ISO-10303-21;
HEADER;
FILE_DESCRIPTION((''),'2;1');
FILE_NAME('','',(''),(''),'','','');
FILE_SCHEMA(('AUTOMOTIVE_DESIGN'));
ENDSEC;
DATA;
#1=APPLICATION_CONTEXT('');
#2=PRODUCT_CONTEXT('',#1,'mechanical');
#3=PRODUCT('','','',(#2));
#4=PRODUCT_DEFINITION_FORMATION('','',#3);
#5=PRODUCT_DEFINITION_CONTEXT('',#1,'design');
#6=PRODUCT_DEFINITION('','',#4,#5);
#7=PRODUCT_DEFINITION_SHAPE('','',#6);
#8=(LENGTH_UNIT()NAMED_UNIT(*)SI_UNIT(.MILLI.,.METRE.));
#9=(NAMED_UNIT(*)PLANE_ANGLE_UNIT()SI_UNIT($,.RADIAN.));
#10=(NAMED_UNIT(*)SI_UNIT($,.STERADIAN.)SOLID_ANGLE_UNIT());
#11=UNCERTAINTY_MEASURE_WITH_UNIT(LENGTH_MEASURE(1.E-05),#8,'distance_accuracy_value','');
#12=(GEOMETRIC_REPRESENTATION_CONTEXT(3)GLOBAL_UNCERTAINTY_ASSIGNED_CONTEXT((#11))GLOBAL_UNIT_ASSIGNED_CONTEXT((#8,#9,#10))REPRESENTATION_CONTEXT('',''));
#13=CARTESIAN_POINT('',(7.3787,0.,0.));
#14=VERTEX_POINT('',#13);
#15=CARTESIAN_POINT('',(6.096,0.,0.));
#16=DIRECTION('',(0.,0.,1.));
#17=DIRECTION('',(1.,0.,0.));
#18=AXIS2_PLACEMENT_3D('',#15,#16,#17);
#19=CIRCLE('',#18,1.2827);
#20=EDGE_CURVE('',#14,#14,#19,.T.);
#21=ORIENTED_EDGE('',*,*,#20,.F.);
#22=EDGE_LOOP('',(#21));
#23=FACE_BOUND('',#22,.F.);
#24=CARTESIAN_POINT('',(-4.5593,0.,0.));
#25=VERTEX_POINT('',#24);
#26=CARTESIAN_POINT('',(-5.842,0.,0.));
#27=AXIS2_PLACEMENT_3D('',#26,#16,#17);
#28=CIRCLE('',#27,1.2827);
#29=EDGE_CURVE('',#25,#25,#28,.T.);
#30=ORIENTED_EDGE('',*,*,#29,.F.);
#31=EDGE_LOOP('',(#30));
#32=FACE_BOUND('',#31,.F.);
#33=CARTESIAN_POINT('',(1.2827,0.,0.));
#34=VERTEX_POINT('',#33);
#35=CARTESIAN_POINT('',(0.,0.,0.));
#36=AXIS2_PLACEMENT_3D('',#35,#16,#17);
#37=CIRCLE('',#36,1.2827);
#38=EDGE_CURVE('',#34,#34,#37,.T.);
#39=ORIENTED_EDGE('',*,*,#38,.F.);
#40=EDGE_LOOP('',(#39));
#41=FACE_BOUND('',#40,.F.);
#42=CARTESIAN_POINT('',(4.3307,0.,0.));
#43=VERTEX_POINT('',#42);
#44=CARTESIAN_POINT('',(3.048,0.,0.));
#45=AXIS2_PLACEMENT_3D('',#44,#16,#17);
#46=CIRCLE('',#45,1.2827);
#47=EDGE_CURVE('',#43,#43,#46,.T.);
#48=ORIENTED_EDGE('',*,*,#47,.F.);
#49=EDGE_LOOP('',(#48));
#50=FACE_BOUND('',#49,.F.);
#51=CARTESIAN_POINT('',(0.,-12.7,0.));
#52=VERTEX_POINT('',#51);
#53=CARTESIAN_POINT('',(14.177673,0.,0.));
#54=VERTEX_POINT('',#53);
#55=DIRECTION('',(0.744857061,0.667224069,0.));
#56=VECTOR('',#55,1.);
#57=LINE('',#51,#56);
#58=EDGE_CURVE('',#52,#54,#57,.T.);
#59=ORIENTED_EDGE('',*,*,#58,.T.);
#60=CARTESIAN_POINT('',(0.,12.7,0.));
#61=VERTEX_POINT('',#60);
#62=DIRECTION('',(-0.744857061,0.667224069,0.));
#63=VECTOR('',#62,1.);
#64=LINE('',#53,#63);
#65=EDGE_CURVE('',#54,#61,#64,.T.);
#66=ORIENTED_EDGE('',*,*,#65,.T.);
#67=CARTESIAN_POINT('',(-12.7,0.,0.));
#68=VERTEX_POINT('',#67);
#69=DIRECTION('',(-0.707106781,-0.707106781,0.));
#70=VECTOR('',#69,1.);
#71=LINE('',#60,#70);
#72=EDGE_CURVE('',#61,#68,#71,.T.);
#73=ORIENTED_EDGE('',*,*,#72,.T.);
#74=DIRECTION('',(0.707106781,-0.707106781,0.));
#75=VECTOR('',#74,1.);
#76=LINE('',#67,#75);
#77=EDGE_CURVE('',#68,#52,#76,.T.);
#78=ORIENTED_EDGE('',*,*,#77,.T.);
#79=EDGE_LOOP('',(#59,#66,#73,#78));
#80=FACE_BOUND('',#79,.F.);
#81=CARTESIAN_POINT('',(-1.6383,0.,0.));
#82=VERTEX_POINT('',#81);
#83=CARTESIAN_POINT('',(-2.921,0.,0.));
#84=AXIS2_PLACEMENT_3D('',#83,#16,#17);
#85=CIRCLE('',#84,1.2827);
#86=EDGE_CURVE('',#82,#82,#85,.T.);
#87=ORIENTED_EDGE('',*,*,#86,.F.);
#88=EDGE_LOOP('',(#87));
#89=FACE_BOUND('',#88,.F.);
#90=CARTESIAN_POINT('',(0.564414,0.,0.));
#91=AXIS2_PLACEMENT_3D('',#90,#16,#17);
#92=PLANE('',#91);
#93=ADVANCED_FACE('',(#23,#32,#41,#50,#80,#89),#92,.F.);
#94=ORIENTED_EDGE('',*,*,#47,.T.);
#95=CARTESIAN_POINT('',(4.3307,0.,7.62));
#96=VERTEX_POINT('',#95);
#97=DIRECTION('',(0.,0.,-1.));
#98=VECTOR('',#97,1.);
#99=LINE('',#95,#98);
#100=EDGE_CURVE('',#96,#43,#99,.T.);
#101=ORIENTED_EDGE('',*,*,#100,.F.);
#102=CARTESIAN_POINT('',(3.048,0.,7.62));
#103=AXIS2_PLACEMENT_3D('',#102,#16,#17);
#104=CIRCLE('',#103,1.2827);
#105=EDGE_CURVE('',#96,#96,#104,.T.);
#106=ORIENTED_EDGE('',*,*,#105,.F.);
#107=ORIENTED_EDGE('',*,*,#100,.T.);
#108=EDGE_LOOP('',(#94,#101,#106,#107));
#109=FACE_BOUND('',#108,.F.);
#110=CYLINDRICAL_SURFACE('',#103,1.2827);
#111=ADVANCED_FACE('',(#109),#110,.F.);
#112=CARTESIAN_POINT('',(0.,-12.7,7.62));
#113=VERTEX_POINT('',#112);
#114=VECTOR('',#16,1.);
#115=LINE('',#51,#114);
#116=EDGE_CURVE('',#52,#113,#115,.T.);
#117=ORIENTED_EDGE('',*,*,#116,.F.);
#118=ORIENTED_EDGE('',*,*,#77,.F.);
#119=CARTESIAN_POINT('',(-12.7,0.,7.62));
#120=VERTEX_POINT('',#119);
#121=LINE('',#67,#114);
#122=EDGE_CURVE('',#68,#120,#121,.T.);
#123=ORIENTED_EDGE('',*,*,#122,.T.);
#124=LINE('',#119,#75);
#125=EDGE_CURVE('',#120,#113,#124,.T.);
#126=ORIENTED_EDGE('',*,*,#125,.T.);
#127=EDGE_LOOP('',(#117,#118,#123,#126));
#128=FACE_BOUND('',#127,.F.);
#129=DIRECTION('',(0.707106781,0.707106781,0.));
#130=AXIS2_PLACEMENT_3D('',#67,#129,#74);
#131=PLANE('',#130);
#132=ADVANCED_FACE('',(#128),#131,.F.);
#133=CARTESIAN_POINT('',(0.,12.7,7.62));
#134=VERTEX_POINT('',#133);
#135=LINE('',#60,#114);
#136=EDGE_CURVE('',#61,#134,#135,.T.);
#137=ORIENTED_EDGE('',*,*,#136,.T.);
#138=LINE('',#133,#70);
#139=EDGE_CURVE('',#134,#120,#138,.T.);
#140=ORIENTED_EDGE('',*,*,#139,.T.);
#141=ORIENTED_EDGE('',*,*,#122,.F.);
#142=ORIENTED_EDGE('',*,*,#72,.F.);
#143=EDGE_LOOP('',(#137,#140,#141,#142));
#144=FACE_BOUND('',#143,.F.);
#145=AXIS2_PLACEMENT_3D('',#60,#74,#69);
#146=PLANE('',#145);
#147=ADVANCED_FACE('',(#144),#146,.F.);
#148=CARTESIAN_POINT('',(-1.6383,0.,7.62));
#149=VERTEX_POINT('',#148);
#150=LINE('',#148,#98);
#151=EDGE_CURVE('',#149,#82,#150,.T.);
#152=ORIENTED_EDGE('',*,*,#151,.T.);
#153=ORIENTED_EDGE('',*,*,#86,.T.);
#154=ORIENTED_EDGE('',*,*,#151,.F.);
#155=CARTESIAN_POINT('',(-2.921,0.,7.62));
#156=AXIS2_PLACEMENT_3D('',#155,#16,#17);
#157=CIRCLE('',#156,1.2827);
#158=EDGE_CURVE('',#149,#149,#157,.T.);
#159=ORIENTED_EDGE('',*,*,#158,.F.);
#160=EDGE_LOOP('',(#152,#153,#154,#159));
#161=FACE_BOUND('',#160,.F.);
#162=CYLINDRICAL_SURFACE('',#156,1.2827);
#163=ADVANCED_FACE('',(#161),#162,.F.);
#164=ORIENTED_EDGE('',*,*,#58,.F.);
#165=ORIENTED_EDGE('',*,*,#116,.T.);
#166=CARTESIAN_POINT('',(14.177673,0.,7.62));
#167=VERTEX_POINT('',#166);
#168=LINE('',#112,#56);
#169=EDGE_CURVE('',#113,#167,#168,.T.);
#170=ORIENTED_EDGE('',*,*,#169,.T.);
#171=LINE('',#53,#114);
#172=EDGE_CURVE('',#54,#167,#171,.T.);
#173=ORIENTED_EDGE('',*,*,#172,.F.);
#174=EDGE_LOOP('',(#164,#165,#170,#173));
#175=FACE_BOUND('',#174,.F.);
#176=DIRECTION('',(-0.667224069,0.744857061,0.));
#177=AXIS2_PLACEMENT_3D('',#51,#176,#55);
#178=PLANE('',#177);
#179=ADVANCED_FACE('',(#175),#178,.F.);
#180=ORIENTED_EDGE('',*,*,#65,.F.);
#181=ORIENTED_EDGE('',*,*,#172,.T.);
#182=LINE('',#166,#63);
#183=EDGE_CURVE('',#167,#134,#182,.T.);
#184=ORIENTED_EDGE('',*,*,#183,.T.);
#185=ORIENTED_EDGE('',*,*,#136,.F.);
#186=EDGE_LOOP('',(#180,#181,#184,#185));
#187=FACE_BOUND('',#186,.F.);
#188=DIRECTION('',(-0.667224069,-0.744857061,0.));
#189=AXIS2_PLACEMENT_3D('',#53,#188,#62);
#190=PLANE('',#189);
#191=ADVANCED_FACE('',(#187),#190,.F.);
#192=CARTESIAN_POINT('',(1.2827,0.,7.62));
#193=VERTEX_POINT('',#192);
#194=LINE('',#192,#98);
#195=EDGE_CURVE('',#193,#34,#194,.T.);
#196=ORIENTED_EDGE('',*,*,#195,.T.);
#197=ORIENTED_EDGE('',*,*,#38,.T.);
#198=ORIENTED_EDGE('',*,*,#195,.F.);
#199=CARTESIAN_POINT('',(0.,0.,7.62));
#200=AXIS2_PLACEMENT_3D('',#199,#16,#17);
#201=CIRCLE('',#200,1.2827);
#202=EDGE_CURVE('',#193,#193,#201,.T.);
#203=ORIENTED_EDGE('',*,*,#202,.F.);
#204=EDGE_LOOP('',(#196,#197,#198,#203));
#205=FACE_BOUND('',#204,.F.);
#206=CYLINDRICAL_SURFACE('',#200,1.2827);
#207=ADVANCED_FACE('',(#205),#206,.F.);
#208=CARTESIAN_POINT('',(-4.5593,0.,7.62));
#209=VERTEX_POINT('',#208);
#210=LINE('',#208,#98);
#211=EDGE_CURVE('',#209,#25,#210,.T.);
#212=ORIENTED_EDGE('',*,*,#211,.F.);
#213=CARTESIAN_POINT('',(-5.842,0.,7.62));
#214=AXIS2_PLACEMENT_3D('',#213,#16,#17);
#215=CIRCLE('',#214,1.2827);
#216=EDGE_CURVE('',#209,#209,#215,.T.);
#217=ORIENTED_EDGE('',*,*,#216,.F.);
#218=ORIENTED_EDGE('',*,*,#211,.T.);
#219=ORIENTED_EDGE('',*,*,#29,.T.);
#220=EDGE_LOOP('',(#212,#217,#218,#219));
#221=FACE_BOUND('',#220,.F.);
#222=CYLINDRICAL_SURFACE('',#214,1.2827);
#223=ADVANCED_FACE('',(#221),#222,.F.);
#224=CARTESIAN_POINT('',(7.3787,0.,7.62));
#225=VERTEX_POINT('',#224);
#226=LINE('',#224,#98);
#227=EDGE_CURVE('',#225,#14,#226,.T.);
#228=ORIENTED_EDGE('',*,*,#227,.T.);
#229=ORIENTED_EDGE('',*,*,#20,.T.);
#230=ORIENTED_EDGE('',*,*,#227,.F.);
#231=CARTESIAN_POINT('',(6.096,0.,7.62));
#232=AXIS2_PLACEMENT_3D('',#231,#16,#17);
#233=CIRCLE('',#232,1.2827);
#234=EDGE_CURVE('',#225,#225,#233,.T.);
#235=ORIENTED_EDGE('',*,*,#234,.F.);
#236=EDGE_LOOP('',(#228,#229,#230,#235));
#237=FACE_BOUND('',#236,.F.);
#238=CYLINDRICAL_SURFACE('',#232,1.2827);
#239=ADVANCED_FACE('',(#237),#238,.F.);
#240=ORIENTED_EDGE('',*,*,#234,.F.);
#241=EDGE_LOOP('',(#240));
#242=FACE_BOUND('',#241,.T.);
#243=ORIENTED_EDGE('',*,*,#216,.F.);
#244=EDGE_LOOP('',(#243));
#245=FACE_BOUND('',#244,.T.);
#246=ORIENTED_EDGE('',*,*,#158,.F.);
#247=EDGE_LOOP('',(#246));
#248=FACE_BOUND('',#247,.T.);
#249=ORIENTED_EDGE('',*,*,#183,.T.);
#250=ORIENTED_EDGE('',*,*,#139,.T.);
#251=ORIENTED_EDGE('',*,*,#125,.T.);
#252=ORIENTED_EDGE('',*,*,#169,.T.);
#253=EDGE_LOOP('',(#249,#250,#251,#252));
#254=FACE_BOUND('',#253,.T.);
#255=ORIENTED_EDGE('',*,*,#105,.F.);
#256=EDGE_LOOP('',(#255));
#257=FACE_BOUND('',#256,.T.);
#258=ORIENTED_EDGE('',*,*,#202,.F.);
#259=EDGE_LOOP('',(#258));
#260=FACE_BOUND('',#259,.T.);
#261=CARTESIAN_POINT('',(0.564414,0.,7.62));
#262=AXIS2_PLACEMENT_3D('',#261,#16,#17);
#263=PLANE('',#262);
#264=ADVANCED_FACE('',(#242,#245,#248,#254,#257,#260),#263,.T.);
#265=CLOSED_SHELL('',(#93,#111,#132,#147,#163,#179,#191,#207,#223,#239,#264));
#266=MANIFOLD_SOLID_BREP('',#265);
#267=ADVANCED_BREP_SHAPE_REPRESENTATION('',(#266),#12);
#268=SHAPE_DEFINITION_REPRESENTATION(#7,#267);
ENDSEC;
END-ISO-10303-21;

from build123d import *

# Parameters (mm, degrees)
F1_DEPTH = 7.62
F2_R     = 1.2827
F3_DEPTH = 7.621


with BuildPart() as f1:
    # F0 (on Top) → F1 (new body)
    with BuildSketch(Plane.XY):
        Polygon((14.177673, 0), (0, 12.7), (-12.7, 0), (0, -12.7), align=None)
    extrude(amount=F1_DEPTH)

    # F2 (on face) → F3 (cut, through all)
    with BuildSketch(Plane.XY.offset(7.62)):
        with Locations((-5.842, 0)):
            Circle(F2_R)
        with Locations((-2.921, 0)):
            Circle(F2_R)
        Circle(F2_R)
        with Locations((3.048, 0)):
            Circle(F2_R)
        with Locations((6.096, 0)):
            Circle(F2_R)
    extrude(amount=-F3_DEPTH, mode=Mode.SUBTRACT)


solid = f1.part
